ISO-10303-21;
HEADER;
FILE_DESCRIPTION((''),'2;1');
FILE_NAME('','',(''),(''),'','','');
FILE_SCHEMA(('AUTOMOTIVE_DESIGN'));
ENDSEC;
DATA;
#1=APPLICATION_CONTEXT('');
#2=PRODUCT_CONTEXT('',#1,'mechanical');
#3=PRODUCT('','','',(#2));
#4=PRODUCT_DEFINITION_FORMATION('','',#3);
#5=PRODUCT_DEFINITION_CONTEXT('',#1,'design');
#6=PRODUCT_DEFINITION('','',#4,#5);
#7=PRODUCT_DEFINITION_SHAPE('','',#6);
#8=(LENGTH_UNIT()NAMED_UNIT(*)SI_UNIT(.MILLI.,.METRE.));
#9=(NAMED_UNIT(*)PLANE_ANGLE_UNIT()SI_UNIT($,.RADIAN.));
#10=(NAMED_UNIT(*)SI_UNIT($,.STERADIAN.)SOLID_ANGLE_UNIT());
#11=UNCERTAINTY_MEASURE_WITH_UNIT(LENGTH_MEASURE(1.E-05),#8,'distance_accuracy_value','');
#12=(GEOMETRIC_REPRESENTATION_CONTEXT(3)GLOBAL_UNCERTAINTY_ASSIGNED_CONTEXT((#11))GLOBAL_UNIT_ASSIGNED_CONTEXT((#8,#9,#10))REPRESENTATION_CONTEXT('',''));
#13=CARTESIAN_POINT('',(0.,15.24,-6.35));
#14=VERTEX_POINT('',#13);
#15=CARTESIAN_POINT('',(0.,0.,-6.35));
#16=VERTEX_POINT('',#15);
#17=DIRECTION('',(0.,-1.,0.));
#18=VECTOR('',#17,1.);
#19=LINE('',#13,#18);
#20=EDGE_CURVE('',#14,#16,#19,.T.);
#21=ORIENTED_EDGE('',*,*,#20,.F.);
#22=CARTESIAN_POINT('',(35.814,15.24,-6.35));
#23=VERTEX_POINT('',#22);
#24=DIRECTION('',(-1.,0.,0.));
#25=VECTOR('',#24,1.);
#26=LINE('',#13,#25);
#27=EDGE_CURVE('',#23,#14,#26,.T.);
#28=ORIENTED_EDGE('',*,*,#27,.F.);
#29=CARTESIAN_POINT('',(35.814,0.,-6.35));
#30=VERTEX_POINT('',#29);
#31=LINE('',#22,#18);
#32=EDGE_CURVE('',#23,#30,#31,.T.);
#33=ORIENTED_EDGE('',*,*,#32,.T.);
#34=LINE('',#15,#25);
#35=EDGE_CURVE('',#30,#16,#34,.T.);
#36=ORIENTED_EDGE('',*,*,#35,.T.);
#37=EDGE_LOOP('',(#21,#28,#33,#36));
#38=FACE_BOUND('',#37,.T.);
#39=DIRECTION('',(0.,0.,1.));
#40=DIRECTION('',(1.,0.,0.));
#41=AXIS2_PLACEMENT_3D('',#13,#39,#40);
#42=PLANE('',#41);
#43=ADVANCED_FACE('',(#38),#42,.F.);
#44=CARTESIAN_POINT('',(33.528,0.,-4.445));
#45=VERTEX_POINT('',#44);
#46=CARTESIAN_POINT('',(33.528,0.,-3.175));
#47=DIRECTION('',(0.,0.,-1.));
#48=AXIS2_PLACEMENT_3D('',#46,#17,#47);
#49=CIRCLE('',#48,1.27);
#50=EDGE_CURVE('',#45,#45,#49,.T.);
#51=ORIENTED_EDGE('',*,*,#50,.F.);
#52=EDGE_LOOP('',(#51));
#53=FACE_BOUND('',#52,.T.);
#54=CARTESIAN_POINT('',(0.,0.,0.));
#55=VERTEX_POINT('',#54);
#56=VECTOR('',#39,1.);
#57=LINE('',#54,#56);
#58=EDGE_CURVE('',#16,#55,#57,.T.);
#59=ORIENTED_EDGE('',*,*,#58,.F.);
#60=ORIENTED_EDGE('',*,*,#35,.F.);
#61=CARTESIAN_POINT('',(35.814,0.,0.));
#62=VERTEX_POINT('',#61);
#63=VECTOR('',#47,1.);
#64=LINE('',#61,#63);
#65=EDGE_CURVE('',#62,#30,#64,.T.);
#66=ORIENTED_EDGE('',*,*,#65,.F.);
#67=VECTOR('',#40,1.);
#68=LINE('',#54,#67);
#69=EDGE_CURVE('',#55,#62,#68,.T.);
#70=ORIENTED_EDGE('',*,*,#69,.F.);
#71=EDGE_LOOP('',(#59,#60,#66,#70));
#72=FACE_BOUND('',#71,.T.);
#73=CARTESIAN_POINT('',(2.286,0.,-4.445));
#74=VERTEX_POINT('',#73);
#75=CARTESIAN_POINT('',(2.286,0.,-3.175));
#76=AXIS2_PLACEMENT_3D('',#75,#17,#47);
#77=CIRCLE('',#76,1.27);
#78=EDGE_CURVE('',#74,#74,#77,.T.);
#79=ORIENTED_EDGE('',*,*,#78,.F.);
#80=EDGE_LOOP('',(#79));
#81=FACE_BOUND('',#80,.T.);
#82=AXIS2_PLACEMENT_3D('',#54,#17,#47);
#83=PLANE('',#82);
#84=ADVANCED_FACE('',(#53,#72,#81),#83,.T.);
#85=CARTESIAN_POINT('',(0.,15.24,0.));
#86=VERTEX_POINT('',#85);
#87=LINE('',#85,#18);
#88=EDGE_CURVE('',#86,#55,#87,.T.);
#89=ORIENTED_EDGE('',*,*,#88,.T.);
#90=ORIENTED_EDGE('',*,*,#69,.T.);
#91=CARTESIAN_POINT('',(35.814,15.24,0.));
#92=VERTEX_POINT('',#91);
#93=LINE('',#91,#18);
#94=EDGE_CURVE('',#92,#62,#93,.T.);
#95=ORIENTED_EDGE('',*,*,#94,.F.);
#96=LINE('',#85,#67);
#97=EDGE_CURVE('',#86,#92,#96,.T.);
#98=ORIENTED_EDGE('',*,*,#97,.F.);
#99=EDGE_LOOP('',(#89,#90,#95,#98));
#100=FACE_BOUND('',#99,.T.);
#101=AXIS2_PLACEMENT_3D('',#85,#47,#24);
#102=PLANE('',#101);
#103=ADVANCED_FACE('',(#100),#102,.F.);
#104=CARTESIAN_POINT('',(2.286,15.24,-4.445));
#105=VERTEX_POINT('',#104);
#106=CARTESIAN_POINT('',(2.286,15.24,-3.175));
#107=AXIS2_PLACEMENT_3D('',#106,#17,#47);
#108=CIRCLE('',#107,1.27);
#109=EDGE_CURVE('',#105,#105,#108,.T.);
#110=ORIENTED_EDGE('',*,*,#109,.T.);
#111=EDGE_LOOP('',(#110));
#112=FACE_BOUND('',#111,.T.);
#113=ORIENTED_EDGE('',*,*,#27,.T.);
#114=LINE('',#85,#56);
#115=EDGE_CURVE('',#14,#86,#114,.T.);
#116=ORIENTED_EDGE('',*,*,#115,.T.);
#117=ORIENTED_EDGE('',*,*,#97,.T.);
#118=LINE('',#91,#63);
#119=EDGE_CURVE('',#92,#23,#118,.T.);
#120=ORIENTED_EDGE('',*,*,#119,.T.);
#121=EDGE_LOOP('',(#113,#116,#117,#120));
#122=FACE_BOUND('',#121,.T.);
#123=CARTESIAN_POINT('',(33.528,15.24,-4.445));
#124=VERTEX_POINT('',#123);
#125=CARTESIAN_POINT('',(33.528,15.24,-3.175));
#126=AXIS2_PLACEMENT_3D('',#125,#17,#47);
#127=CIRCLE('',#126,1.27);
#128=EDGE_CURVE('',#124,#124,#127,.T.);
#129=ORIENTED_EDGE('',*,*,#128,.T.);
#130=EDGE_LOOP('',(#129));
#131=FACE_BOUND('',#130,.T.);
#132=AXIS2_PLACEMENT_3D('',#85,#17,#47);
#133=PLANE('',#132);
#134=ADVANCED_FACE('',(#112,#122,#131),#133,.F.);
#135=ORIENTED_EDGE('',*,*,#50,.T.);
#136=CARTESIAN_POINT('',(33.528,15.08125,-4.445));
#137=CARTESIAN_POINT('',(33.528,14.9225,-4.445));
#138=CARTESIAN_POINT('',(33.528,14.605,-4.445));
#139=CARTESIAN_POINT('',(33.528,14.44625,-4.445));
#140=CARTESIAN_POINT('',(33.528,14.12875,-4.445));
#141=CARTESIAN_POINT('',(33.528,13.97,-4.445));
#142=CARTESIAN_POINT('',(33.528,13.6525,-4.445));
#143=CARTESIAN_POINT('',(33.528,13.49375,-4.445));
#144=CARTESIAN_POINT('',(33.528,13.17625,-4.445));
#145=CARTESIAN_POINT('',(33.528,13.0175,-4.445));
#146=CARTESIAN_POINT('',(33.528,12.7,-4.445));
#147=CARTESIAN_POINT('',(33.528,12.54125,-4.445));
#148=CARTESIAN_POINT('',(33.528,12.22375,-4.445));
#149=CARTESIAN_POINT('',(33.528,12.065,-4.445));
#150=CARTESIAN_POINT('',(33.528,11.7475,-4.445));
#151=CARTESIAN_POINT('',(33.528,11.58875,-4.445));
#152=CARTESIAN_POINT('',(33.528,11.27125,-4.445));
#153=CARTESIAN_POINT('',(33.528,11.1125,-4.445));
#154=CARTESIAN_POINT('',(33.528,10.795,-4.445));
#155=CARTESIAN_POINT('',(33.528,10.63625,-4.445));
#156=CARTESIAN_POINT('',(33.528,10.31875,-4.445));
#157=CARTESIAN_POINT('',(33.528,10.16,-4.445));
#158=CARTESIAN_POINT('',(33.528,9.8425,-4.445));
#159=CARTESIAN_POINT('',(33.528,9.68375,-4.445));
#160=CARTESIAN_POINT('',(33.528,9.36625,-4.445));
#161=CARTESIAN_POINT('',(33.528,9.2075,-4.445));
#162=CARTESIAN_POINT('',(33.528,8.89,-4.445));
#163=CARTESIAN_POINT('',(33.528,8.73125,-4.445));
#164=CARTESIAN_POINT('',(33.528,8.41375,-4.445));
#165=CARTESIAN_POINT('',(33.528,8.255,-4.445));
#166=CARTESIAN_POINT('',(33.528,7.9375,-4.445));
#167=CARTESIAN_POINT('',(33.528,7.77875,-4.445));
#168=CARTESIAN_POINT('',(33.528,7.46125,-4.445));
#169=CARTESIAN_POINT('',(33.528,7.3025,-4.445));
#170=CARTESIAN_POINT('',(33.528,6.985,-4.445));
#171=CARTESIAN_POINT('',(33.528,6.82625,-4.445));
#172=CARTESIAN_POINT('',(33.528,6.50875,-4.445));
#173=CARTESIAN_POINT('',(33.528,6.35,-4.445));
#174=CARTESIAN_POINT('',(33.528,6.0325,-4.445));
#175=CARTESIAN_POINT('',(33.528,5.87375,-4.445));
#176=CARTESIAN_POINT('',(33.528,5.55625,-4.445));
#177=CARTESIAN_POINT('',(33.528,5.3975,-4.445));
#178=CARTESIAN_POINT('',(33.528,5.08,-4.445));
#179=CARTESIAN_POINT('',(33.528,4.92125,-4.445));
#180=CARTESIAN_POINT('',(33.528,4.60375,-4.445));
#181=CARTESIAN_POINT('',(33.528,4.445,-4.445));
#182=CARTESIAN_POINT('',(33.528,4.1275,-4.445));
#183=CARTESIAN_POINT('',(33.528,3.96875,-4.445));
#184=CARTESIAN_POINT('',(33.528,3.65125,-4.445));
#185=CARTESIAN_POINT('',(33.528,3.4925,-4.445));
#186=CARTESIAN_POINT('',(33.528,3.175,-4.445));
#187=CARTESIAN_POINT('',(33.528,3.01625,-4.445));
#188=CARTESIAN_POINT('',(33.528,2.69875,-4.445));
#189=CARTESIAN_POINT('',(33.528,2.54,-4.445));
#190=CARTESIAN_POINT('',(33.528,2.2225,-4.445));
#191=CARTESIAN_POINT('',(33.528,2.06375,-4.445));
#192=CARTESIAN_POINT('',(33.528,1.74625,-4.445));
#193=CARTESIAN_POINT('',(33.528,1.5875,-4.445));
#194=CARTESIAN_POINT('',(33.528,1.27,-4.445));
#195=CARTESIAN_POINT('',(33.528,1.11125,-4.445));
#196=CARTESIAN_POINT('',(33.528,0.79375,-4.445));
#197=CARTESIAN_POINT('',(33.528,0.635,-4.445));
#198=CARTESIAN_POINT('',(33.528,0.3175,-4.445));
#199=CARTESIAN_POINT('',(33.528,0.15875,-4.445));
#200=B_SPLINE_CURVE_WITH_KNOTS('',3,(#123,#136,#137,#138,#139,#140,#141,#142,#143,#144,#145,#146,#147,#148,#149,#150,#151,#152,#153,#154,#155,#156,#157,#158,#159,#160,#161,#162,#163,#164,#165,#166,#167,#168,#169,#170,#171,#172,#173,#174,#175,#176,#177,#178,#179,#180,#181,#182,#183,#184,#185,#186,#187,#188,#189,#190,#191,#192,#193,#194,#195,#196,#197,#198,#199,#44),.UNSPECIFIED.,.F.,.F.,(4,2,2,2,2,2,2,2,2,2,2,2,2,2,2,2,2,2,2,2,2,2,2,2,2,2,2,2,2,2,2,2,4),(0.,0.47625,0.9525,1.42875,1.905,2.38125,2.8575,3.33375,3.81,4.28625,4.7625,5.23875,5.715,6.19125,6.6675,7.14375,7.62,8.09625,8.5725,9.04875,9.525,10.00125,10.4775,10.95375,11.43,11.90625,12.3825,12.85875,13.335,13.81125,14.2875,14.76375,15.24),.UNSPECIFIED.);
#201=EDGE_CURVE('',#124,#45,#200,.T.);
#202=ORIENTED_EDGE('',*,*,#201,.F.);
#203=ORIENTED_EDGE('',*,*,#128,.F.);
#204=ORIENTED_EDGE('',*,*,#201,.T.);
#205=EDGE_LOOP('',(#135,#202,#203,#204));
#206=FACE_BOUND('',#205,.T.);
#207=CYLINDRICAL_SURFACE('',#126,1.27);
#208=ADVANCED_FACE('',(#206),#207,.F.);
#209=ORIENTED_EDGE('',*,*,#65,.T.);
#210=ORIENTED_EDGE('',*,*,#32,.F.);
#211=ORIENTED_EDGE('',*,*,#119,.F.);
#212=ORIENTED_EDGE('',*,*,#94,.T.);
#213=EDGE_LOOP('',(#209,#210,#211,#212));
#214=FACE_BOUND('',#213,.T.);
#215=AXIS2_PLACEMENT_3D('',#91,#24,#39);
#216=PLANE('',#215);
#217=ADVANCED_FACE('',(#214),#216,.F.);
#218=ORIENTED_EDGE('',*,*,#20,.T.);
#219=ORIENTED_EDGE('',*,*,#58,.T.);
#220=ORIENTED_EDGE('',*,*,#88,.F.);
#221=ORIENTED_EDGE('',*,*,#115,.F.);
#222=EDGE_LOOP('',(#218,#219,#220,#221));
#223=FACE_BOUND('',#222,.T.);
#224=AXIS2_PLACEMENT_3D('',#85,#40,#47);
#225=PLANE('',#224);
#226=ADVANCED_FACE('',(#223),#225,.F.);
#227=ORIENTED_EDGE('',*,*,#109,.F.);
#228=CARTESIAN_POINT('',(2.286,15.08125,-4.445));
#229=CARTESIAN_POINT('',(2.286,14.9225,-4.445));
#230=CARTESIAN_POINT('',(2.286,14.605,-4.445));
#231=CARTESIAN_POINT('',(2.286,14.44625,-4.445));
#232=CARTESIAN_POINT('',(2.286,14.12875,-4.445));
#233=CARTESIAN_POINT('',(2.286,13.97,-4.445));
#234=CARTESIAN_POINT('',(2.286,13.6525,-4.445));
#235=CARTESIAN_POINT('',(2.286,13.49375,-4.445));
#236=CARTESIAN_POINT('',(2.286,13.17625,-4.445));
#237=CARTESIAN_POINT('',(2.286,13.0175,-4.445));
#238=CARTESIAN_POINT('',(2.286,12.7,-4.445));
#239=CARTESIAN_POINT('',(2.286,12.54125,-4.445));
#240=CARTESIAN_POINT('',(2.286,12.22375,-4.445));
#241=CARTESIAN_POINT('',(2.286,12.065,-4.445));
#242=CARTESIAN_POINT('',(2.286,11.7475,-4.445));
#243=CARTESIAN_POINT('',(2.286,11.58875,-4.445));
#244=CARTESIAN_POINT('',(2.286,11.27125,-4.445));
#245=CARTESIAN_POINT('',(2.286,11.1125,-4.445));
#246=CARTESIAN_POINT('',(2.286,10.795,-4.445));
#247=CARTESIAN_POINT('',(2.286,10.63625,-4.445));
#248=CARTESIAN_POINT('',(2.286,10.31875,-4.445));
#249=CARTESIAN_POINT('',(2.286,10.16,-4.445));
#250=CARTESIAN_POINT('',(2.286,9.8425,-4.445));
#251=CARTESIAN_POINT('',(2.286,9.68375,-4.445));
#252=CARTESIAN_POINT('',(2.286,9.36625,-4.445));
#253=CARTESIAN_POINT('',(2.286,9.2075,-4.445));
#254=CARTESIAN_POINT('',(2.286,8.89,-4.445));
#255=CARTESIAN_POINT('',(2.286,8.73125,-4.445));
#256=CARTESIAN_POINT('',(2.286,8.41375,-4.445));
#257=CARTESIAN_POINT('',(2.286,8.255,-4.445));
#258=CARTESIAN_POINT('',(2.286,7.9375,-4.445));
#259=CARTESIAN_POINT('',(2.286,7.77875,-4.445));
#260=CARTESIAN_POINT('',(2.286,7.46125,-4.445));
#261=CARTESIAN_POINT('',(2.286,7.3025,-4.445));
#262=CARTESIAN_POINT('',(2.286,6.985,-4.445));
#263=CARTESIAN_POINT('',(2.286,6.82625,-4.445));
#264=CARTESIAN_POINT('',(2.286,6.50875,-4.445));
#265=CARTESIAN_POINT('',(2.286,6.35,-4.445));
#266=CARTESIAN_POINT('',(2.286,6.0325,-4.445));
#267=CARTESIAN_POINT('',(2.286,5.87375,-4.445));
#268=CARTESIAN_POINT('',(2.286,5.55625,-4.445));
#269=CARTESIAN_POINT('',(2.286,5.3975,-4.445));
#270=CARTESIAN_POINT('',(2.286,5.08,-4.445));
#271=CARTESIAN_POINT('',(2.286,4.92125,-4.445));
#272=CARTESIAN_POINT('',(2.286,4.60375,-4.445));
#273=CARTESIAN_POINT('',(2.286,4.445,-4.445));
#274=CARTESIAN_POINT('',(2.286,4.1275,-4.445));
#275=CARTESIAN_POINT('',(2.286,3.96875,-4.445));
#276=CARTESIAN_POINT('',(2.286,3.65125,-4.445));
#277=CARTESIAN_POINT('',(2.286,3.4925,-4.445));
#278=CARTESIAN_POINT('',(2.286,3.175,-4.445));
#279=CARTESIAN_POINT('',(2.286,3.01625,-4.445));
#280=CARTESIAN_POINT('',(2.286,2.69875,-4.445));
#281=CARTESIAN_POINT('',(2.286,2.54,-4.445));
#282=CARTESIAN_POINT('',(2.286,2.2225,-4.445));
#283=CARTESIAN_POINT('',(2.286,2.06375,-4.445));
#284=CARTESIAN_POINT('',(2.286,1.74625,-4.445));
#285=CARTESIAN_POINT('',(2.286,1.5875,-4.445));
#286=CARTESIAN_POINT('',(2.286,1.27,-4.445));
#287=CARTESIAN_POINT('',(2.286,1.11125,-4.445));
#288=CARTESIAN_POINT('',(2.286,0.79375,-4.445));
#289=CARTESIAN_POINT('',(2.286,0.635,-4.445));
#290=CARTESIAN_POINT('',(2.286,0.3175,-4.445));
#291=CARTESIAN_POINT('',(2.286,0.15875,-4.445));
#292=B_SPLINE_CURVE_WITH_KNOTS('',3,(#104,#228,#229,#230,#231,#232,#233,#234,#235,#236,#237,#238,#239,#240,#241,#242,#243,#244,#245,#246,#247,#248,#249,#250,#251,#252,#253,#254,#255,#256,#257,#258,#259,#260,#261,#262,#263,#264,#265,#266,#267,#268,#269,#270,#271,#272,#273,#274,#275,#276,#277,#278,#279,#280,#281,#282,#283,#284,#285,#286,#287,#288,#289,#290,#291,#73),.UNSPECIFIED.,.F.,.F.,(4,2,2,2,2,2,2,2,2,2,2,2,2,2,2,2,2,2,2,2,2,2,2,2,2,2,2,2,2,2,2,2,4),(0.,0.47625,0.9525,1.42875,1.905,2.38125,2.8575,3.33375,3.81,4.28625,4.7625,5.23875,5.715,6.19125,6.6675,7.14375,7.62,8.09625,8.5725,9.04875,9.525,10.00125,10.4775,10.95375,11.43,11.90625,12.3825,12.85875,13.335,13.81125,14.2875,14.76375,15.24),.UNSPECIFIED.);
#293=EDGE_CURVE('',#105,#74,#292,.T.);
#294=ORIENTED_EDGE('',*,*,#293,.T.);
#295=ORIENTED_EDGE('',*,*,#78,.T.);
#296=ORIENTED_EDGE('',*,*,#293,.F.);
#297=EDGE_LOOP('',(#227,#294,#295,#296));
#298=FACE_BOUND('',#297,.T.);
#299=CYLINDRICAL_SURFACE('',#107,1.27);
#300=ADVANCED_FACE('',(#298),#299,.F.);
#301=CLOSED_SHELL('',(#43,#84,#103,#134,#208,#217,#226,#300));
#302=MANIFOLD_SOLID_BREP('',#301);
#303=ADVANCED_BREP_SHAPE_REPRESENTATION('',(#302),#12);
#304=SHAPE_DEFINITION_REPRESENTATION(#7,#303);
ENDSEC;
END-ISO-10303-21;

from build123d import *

# Parameters (mm, degrees)
SKETCH2_W           = 35.814
SKETCH2_H           = 6.35
BOSS_EXTRUDE1_DEPTH = 15.24
SKETCH3_R           = 1.27
CUT_EXTRUDE1_DEPTH  = 40.436311897


with BuildPart() as part:
    # Sketch2 → Boss-Extrude1 (new body)
    with BuildSketch(Plane(origin=(0, 0, 0), x_dir=(1, 0, 0), z_dir=(0, 1, 0))):
        with Locations((17.907, 3.175)):
            Rectangle(SKETCH2_W, SKETCH2_H)
    extrude(amount=BOSS_EXTRUDE1_DEPTH)

    # Sketch3 → Cut-Extrude1 (cut, through all)
    with BuildSketch(Plane.XZ):
        with Locations(Location((2.286, -3.175, 0), (0, 0, 270))):
            Circle(SKETCH3_R)
        with Locations(Location((33.528, -3.175, 0), (0, 0, 270))):
            Circle(SKETCH3_R)
    extrude(amount=-CUT_EXTRUDE1_DEPTH, mode=Mode.SUBTRACT)


solid = part.part
